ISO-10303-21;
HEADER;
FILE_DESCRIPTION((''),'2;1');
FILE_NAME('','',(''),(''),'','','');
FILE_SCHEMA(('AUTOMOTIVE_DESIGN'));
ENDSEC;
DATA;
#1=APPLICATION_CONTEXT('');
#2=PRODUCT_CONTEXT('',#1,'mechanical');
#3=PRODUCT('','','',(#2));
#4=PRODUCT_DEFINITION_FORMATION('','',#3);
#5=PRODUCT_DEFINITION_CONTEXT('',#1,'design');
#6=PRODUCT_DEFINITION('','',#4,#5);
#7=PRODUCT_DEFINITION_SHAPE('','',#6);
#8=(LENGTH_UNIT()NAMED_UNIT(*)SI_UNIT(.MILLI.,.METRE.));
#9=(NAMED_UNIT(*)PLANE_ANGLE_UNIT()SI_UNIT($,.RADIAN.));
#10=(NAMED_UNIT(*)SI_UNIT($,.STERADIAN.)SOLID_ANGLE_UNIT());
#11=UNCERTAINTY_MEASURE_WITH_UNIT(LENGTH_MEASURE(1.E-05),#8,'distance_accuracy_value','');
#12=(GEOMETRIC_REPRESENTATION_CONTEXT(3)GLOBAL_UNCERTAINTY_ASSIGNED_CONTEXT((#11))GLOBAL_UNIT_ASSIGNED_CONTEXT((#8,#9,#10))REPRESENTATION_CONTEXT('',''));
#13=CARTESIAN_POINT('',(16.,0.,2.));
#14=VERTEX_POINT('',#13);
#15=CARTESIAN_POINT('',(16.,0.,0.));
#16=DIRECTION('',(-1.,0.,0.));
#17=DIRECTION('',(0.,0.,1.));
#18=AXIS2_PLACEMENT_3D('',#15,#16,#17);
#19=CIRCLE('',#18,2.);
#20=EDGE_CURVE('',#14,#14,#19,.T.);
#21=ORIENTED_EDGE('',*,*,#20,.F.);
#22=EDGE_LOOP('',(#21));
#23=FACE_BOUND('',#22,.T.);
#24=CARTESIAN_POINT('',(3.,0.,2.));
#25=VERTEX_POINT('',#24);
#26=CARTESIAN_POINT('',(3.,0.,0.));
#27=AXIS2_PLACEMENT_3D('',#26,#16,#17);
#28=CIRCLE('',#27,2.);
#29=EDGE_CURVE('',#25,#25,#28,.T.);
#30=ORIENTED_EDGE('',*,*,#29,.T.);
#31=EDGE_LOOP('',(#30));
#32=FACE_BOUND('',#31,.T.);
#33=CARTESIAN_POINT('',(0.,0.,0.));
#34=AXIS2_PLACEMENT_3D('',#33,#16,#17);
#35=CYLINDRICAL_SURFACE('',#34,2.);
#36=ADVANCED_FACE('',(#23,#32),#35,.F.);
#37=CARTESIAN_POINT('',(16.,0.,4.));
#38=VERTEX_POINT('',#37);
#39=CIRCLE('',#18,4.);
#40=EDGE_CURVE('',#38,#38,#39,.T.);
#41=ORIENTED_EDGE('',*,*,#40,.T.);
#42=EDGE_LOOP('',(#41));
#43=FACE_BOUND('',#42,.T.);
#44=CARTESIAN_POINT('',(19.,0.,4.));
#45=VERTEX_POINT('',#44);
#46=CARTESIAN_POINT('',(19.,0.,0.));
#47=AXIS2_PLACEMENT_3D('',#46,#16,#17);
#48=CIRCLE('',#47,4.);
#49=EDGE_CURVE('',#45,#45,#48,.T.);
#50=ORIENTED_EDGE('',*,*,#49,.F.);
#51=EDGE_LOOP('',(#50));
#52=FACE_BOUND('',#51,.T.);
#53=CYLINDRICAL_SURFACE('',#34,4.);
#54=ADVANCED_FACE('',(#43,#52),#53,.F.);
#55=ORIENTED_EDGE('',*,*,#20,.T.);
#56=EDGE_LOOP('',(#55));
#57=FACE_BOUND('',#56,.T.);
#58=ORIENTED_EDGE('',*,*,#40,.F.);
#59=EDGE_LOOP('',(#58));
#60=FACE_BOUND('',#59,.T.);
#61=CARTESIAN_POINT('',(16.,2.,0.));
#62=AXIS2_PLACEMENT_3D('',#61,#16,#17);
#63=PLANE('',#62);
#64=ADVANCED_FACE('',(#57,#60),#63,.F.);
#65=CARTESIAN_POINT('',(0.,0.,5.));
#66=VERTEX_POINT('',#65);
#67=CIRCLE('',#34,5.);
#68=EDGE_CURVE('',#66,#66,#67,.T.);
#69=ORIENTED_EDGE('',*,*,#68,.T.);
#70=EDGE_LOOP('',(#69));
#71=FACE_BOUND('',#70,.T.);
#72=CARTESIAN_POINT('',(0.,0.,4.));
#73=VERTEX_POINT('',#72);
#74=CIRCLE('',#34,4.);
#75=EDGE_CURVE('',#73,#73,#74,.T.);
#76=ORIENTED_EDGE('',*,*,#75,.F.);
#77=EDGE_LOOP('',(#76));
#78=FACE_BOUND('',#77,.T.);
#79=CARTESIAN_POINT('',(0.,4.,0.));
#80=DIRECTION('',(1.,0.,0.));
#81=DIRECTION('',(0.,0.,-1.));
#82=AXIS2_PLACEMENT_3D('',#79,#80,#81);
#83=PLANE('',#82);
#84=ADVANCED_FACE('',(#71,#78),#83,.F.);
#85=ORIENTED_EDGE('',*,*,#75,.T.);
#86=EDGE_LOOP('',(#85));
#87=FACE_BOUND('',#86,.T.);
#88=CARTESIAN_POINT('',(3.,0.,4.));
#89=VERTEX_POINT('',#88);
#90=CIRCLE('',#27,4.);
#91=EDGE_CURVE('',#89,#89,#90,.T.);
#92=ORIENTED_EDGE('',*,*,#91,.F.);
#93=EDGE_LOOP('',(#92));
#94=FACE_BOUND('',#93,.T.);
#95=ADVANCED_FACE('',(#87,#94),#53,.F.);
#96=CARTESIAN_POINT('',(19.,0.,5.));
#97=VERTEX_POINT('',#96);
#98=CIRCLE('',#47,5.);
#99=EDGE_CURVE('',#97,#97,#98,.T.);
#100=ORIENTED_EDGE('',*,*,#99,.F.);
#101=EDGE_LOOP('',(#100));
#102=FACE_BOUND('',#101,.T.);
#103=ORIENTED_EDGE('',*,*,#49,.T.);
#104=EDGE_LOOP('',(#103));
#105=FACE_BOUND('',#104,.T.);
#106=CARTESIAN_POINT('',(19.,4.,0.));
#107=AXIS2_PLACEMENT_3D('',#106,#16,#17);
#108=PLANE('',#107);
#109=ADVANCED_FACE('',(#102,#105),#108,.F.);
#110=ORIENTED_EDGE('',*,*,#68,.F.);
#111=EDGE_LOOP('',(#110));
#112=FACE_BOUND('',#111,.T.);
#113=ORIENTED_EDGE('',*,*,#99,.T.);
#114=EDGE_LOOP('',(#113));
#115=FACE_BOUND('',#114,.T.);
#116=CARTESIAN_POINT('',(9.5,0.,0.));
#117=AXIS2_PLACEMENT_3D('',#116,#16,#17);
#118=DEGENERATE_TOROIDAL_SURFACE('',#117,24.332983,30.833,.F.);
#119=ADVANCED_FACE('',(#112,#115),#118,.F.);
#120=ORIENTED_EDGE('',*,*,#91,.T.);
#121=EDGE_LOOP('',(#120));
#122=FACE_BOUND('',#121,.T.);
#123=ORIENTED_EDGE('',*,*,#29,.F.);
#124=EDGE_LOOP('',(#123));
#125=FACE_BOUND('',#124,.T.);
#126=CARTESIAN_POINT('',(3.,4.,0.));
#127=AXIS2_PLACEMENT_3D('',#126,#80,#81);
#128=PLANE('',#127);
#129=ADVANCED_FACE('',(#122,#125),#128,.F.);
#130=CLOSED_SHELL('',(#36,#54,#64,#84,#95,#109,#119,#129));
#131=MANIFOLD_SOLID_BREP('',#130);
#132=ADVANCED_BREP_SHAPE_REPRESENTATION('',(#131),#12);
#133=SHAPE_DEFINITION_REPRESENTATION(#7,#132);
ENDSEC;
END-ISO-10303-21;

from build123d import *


with BuildPart() as part:
    # Sketch1 → Revolve1 (revolve)
    with BuildSketch(Plane.XY):
        with BuildLine():
            Line((0, 4), (0, 5))
            ThreePointArc((0, 5), (9.5, 6.500017046), (19, 5))
            Line((19, 5), (19, 4))
            Line((19, 4), (16, 4))
            Line((16, 4), (16, 2))
            Line((16, 2), (3, 2))
            Line((3, 2), (3, 4))
            Line((3, 4), (0, 4))
        make_face()
    revolve(axis=Axis((0, 0, 0), (1, 0, 0)))


solid = part.part
